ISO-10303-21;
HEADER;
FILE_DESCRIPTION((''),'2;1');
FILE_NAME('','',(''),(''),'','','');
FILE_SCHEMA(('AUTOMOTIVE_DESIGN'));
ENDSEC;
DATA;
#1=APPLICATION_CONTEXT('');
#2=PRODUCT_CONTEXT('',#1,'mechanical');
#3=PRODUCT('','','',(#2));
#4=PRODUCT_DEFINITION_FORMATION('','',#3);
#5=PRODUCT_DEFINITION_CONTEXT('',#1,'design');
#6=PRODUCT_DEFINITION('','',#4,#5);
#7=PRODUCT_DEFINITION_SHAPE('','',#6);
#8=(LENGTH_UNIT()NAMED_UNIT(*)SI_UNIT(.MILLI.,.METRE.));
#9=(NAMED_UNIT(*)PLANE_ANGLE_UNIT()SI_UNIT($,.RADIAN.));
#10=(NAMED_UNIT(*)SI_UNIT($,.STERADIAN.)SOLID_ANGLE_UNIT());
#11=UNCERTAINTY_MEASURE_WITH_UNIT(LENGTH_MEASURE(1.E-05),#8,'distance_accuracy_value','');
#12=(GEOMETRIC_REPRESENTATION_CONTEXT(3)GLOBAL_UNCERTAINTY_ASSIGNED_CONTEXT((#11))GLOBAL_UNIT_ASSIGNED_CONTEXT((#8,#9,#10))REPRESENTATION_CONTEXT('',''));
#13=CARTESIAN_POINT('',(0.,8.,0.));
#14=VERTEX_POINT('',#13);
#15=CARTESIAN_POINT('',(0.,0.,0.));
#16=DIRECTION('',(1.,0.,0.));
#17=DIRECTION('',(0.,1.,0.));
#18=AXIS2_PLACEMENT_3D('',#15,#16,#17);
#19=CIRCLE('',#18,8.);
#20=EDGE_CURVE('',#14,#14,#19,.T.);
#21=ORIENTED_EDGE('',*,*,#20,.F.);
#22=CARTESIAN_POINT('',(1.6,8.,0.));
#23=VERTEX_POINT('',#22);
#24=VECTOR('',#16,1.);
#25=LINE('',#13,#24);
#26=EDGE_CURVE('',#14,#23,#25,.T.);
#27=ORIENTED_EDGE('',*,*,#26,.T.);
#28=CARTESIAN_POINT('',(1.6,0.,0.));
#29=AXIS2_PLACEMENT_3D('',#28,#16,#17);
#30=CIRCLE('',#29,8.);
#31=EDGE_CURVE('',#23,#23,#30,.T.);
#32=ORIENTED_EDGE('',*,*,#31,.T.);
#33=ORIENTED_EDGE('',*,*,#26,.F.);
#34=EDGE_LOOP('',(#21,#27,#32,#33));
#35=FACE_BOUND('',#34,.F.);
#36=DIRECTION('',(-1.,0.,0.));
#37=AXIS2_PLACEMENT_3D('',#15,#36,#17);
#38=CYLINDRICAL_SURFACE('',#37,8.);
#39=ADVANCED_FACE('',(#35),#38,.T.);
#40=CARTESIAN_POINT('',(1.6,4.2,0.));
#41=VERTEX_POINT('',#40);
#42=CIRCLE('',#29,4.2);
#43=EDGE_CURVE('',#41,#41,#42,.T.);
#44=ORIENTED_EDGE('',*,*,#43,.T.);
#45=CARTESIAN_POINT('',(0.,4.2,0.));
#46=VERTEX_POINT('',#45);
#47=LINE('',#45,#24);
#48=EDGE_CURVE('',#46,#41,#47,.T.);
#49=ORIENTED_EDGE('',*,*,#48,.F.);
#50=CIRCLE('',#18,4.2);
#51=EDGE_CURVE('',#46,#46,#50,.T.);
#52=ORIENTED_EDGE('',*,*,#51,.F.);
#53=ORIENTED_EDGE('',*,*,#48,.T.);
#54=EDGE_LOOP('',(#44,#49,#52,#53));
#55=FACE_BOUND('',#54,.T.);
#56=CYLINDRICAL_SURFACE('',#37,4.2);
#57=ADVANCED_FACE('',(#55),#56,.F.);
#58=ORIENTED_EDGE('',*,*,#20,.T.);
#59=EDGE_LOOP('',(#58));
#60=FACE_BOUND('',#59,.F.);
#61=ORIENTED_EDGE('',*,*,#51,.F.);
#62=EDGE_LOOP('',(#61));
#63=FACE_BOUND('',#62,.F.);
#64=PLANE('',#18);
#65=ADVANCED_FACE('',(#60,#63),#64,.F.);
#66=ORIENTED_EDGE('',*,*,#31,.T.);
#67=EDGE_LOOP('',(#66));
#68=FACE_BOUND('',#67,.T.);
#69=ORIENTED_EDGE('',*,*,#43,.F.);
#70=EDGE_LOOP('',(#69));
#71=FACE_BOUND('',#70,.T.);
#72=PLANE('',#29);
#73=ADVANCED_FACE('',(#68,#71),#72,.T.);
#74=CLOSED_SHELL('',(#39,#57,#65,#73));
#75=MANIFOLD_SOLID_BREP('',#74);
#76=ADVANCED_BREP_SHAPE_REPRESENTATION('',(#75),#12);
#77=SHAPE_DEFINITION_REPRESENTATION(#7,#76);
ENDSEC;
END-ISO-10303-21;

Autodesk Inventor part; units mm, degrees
ref_plane "YZ Plane" through (0, 0, 0) normal (1, 0, 0) x (0, 1, 0)
ref_plane "XZ Plane" through (0, 0, 0) normal (0, 1, 0) x (-1, 0, 0)
sketch "Sketch" plane through (0, 0, 0) normal (1, 0, 0) x (0, 1, 0)
  circle A0 centre (0, 0) radius 8
  circle A1 centre (0, 0) radius 4.2
  dimension "d0" = 8.4
  dimension "d1" = 16
extrude "Body" add sketch "Sketch" along normal blind 1.6
ref_plane "Work Plane1" through (0, 0, 0) normal (0, 0, 1) x (1, 0, 0)
equation "\"d0\" = SD1"
equation "\"d1\" = SD2"
equation "\"d2\" = SD"
equation "\"SD1\" = 8.4"
equation "\"SD2\" = 16"
equation "\"SD\" = 1.6"
equation "\"NND\" = 8"
properties part number "CSN 02 1702 - B 8,4" material "Steel, Mild"
